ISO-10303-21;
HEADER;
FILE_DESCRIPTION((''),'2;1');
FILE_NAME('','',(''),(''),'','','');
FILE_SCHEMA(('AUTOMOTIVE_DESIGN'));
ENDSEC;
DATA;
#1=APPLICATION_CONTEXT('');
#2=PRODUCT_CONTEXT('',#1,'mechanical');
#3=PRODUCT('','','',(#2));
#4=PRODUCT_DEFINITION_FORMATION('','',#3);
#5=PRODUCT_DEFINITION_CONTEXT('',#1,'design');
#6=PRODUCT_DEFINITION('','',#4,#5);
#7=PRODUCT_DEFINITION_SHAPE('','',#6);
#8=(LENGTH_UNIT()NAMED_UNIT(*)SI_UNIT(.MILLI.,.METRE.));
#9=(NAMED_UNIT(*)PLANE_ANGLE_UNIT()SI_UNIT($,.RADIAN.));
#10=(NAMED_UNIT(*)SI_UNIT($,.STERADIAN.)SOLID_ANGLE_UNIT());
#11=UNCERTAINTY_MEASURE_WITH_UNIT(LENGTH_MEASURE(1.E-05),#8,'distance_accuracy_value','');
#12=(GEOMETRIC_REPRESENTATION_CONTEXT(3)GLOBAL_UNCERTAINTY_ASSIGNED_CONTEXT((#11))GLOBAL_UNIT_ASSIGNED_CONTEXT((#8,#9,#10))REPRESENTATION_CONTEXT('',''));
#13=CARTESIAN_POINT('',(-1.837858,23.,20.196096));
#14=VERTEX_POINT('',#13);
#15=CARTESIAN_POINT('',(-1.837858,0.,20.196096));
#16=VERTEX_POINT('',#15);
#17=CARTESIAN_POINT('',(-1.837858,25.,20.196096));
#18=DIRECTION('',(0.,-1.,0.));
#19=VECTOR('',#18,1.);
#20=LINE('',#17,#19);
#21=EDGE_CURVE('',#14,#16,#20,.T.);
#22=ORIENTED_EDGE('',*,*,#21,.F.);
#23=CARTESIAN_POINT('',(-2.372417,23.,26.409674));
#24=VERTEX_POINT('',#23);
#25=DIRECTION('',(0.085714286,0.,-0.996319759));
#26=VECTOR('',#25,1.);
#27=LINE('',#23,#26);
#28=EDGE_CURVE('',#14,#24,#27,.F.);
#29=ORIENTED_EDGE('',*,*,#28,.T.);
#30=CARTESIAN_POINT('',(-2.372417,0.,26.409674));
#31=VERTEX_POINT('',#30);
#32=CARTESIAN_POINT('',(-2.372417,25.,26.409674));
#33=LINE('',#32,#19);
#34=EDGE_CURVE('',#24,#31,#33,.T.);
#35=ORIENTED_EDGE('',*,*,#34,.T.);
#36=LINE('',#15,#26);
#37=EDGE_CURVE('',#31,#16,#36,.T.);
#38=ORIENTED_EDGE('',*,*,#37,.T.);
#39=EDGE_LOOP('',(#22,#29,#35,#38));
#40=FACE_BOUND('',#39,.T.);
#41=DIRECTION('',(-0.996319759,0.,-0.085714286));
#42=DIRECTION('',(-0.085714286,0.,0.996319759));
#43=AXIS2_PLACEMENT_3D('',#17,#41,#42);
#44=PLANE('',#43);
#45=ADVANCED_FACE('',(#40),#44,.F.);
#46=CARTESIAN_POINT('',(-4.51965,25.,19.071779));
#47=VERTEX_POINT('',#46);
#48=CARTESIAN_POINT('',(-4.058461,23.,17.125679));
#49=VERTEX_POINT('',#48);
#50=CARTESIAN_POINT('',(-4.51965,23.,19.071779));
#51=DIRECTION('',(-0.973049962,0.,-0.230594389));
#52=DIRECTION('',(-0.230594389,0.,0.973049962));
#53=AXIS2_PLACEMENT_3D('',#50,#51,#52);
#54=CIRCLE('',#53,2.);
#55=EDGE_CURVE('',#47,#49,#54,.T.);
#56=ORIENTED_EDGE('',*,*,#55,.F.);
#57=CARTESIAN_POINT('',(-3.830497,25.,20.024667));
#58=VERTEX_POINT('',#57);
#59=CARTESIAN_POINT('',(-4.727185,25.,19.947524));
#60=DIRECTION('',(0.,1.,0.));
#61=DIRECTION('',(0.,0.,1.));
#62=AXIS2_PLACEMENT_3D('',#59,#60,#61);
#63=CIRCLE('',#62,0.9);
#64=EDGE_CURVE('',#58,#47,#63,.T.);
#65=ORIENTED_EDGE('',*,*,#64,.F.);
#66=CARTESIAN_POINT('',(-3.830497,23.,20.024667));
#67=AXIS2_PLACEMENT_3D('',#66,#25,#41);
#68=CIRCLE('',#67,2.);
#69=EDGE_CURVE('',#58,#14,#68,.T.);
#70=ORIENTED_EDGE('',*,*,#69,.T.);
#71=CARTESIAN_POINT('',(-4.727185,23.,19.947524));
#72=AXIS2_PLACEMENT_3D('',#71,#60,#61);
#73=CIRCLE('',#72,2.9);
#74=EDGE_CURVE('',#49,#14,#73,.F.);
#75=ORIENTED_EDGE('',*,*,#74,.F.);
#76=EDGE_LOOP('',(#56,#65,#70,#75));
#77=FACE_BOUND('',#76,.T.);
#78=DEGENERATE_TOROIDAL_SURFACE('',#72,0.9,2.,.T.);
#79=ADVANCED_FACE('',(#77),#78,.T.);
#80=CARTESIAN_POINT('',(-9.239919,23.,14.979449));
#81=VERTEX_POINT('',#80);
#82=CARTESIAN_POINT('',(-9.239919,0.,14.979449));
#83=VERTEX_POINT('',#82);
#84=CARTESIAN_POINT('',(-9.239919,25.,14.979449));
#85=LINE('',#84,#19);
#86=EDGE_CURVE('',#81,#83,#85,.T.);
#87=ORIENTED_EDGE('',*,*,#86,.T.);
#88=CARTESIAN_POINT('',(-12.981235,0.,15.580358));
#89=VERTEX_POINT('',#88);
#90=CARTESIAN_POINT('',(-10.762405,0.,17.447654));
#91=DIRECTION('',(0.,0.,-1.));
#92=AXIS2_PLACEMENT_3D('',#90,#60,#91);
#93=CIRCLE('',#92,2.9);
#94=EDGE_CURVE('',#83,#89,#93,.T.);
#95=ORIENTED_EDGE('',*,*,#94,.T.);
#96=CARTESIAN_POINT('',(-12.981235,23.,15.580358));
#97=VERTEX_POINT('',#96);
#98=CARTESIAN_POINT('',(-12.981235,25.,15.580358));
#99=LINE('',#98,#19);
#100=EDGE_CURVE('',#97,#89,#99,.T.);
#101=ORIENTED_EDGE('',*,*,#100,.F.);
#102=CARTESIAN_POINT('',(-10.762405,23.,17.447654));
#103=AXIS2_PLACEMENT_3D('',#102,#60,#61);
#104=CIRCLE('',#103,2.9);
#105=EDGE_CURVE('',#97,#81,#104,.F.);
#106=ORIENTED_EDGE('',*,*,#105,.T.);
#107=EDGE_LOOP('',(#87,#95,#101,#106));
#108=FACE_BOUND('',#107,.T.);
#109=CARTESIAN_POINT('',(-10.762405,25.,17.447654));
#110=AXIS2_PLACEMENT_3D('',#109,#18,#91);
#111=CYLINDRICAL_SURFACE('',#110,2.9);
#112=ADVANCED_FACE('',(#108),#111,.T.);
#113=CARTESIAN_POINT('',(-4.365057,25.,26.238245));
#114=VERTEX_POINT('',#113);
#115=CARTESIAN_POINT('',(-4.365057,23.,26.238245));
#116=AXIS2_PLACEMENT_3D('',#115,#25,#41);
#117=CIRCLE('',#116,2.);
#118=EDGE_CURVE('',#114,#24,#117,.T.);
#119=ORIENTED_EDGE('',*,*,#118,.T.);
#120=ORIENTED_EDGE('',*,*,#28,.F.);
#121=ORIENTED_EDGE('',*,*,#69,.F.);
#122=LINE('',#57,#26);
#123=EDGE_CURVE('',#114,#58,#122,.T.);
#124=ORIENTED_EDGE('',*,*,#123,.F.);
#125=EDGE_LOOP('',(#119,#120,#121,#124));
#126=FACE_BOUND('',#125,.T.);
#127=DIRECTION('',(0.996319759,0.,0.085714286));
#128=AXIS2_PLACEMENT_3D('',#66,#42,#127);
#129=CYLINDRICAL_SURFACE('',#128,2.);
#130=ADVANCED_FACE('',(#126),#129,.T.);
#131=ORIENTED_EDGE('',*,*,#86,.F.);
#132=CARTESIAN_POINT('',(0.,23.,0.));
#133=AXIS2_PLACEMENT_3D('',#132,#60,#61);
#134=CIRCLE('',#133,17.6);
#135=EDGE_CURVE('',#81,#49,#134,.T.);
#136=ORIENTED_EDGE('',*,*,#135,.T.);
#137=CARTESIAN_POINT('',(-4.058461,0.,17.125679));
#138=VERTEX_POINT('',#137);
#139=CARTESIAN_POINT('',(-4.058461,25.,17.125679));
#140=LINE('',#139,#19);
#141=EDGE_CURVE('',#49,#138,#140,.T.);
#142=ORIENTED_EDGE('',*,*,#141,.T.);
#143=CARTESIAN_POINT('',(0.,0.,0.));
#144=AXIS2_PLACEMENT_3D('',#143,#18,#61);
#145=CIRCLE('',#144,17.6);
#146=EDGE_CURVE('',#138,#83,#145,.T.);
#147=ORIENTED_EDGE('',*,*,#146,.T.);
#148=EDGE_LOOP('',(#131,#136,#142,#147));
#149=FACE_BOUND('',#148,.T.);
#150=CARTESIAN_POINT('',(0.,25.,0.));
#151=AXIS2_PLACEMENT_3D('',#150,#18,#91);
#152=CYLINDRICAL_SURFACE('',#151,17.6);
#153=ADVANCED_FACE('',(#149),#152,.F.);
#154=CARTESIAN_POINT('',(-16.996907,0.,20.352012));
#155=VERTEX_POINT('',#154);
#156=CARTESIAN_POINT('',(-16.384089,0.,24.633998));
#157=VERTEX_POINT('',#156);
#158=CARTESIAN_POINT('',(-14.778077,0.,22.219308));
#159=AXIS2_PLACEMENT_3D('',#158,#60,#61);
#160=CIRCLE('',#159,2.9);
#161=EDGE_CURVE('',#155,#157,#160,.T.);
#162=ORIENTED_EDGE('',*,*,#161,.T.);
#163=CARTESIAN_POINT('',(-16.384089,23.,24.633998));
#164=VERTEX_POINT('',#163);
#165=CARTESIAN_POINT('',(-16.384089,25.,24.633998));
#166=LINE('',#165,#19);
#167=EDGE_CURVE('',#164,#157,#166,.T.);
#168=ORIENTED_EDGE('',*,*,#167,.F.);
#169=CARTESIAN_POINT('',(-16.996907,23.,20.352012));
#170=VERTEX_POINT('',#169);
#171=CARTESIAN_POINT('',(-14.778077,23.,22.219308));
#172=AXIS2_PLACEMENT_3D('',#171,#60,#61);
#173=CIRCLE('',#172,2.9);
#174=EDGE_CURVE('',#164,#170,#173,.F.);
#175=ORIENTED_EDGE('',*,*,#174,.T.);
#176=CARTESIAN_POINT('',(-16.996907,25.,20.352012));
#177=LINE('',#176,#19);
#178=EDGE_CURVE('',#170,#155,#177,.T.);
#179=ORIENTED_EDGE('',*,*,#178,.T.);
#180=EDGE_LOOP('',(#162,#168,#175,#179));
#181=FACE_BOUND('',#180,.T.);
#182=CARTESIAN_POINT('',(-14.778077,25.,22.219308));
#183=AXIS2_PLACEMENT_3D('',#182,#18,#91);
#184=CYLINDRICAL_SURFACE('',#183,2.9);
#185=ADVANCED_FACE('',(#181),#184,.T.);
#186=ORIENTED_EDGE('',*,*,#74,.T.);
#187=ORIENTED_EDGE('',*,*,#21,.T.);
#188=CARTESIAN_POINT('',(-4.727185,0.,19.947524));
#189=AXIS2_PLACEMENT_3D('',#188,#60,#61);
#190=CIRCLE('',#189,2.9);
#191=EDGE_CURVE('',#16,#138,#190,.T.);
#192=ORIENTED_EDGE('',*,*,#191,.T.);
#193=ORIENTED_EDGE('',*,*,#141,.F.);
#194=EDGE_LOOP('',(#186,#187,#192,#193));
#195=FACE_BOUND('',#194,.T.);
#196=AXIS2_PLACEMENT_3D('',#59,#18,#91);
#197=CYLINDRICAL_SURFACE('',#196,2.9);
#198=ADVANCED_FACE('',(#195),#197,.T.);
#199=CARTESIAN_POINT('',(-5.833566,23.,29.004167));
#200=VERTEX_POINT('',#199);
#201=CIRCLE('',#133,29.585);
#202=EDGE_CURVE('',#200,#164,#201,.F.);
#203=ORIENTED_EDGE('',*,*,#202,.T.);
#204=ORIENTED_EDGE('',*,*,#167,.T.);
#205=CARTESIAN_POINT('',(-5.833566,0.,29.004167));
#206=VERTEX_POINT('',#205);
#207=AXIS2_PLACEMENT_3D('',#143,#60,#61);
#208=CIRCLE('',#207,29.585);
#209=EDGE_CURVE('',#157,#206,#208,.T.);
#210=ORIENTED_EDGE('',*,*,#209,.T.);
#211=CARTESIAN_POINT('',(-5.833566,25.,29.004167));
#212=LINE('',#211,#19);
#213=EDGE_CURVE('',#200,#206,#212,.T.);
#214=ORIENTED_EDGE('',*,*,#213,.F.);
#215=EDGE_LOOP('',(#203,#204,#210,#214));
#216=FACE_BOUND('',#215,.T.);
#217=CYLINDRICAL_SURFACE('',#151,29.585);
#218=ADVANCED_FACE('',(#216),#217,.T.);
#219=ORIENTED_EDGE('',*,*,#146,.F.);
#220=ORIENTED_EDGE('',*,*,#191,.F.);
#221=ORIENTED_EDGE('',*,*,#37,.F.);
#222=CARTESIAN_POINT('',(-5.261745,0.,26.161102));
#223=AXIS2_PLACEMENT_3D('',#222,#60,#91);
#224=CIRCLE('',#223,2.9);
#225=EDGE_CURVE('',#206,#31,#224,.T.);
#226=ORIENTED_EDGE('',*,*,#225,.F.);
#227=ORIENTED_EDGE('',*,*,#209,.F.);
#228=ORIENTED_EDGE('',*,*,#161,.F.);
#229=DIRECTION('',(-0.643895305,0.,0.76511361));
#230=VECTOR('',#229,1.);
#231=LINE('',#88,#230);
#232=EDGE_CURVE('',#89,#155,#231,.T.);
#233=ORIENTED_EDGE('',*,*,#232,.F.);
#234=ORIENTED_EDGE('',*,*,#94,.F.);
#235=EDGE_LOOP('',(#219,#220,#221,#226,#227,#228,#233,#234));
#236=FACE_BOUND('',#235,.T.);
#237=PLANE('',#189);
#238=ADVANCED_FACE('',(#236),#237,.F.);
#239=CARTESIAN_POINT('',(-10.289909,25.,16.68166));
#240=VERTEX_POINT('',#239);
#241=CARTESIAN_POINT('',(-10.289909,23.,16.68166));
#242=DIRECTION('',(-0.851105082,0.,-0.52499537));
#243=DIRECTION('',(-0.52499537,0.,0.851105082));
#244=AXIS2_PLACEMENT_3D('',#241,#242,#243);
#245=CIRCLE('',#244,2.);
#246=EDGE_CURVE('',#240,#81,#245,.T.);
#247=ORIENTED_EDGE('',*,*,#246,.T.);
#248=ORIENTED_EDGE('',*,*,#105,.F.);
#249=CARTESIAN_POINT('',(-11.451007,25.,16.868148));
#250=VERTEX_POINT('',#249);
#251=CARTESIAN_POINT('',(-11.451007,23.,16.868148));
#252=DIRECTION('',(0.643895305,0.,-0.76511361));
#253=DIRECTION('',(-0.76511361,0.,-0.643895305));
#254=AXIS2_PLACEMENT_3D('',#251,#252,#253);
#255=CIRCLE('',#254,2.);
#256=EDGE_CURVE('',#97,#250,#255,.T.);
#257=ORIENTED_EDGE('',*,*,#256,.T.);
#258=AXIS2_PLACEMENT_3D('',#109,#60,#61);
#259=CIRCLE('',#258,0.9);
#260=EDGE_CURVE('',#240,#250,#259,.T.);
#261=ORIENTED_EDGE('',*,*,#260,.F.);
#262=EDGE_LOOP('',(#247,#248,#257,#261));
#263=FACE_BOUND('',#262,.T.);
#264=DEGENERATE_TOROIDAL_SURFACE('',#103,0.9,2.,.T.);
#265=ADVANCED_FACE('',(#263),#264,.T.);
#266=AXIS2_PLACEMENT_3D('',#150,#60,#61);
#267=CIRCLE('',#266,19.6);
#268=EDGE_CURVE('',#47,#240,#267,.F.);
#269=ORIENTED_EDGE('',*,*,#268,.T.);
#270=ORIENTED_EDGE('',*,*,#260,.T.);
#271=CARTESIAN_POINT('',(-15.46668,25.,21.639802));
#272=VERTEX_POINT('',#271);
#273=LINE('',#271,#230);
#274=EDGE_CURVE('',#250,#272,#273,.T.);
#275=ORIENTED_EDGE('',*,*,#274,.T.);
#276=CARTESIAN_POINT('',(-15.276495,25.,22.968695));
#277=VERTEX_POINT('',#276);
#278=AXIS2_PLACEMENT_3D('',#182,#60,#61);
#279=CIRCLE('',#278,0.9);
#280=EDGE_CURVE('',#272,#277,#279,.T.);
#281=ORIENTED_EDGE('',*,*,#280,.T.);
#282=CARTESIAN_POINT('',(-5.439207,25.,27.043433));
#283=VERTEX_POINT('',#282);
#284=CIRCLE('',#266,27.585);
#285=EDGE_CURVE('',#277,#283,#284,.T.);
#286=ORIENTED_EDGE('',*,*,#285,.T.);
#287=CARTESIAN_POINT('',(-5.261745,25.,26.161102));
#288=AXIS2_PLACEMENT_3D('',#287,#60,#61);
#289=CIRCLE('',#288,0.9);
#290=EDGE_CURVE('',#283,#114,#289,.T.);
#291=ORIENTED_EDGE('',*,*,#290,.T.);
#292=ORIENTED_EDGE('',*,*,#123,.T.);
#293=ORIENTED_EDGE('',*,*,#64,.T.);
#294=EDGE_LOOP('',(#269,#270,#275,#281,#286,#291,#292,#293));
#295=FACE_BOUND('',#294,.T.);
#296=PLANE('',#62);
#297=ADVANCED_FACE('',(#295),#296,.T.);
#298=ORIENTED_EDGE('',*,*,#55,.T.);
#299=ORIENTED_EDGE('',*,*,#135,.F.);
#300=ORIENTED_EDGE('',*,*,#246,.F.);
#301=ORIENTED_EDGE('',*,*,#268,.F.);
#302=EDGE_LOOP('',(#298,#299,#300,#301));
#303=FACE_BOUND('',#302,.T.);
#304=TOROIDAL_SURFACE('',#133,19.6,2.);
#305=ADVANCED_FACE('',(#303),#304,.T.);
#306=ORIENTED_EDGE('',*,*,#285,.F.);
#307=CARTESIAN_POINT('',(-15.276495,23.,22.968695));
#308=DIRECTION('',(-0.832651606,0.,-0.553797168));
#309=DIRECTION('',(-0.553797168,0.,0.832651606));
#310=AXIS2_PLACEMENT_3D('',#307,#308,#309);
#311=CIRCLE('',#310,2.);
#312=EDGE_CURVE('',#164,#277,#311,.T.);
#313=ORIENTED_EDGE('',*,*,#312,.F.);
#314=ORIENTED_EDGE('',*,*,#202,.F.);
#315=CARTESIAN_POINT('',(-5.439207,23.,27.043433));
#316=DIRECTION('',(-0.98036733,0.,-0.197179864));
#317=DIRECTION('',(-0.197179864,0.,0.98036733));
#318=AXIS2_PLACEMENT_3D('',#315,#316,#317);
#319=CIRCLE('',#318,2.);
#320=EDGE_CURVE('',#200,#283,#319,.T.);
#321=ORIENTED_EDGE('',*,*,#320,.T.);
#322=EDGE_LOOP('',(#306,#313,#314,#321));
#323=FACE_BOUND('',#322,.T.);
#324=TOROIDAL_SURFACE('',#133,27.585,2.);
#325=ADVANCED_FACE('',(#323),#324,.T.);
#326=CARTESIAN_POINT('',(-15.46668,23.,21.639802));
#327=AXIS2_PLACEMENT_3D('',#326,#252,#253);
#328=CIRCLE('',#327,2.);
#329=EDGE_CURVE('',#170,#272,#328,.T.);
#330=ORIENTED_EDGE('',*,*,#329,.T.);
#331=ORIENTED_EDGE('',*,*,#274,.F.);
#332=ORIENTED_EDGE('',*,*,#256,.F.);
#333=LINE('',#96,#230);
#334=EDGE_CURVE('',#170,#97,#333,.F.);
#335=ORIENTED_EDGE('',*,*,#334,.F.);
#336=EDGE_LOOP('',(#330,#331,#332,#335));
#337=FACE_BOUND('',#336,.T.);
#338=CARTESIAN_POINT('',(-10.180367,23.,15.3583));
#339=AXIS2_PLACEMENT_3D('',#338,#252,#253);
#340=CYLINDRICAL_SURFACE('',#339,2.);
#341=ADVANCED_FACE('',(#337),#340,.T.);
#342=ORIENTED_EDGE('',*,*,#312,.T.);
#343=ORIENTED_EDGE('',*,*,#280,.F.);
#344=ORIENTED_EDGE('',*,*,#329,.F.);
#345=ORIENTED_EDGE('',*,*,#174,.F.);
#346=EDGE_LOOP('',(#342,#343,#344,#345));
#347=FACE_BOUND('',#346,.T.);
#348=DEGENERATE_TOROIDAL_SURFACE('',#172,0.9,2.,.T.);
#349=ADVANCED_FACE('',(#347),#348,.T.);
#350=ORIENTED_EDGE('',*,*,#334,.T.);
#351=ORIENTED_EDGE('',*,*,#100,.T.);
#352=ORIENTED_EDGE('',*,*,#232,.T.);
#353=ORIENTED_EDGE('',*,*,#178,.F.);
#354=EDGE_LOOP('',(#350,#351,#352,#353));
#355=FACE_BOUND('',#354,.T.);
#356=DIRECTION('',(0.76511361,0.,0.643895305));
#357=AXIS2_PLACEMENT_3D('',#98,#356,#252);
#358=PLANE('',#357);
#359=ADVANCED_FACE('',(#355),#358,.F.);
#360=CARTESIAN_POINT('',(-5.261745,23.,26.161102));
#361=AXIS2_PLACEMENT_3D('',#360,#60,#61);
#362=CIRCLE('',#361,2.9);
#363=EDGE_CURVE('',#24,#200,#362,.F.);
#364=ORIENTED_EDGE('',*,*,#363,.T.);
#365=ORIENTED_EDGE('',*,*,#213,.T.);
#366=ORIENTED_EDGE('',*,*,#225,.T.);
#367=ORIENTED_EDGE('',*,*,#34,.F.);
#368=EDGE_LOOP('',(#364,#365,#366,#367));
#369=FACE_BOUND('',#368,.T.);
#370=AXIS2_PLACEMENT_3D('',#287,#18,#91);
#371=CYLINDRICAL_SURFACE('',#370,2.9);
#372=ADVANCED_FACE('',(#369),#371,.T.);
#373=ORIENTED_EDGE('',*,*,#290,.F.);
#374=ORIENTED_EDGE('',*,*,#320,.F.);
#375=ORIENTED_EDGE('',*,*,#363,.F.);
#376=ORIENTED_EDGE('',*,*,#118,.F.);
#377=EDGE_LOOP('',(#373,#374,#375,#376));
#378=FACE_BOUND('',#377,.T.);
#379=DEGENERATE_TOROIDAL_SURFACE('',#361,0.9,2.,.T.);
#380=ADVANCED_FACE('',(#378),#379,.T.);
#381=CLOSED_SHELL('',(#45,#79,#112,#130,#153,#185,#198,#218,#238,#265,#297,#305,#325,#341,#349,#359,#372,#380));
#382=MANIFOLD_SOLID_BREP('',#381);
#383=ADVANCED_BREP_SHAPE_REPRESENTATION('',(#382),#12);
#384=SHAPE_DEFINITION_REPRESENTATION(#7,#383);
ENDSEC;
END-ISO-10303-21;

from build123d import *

# Parameters (mm, degrees)
BOSS_EXTRUDE1_DEPTH = 25
FILLET1_R           = 2


with BuildPart() as part:
    # Sketch1 → Boss-Extrude1 (new body)
    with BuildSketch(Plane(origin=(0, 0, 0), x_dir=(-1, 0, 0), z_dir=(0, 1, 0))):
        with BuildLine():
            Line((1.837857672, 20.196095642), (2.372417379, 26.409673621))
            ThreePointArc((2.372417379, 26.409673621), (3.522331642, 28.481542299), (5.833566285, 29.004167449))
            ThreePointArc((5.833566285, 29.004167449), (11.321689347, 27.332975969), (16.384089207, 24.633997765))
            ThreePointArc((16.384089207, 24.633997765), (17.648827109, 22.630156287), (16.99690689, 20.352011723))
            Line((16.99690689, 20.352011723), (12.981234559, 15.580357805))
            ThreePointArc((12.981234559, 15.580357805), (11.222292108, 14.584351213), (9.239918516, 14.97944945))
            ThreePointArc((9.239918516, 14.97944945), (6.73522841, 16.260279772), (4.058461244, 17.125679325))
            ThreePointArc((4.058461244, 17.125679325), (2.377334792, 18.248052492), (1.837857672, 20.196095642))
        make_face()
    extrude(amount=BOSS_EXTRUDE1_DEPTH)

    # Fillet1
    fillet1_edges = [part.edges().sort_by_distance(p)[0] for p in [
        (-11.222292108, 25, 14.584351213),
        (-14.989070724, 25, 17.966184764),
        (-17.648827109, 25, 22.630156287),
        (-11.321689347, 25, 27.332975969),
        (-3.522331642, 25, 28.481542299),
        (-2.105137526, 25, 23.302884632),
        (-2.377334792, 25, 18.248052492),
        (-6.73522841, 25, 16.260279772),
    ]]
    fillet(fillet1_edges, radius=FILLET1_R)


solid = part.part
